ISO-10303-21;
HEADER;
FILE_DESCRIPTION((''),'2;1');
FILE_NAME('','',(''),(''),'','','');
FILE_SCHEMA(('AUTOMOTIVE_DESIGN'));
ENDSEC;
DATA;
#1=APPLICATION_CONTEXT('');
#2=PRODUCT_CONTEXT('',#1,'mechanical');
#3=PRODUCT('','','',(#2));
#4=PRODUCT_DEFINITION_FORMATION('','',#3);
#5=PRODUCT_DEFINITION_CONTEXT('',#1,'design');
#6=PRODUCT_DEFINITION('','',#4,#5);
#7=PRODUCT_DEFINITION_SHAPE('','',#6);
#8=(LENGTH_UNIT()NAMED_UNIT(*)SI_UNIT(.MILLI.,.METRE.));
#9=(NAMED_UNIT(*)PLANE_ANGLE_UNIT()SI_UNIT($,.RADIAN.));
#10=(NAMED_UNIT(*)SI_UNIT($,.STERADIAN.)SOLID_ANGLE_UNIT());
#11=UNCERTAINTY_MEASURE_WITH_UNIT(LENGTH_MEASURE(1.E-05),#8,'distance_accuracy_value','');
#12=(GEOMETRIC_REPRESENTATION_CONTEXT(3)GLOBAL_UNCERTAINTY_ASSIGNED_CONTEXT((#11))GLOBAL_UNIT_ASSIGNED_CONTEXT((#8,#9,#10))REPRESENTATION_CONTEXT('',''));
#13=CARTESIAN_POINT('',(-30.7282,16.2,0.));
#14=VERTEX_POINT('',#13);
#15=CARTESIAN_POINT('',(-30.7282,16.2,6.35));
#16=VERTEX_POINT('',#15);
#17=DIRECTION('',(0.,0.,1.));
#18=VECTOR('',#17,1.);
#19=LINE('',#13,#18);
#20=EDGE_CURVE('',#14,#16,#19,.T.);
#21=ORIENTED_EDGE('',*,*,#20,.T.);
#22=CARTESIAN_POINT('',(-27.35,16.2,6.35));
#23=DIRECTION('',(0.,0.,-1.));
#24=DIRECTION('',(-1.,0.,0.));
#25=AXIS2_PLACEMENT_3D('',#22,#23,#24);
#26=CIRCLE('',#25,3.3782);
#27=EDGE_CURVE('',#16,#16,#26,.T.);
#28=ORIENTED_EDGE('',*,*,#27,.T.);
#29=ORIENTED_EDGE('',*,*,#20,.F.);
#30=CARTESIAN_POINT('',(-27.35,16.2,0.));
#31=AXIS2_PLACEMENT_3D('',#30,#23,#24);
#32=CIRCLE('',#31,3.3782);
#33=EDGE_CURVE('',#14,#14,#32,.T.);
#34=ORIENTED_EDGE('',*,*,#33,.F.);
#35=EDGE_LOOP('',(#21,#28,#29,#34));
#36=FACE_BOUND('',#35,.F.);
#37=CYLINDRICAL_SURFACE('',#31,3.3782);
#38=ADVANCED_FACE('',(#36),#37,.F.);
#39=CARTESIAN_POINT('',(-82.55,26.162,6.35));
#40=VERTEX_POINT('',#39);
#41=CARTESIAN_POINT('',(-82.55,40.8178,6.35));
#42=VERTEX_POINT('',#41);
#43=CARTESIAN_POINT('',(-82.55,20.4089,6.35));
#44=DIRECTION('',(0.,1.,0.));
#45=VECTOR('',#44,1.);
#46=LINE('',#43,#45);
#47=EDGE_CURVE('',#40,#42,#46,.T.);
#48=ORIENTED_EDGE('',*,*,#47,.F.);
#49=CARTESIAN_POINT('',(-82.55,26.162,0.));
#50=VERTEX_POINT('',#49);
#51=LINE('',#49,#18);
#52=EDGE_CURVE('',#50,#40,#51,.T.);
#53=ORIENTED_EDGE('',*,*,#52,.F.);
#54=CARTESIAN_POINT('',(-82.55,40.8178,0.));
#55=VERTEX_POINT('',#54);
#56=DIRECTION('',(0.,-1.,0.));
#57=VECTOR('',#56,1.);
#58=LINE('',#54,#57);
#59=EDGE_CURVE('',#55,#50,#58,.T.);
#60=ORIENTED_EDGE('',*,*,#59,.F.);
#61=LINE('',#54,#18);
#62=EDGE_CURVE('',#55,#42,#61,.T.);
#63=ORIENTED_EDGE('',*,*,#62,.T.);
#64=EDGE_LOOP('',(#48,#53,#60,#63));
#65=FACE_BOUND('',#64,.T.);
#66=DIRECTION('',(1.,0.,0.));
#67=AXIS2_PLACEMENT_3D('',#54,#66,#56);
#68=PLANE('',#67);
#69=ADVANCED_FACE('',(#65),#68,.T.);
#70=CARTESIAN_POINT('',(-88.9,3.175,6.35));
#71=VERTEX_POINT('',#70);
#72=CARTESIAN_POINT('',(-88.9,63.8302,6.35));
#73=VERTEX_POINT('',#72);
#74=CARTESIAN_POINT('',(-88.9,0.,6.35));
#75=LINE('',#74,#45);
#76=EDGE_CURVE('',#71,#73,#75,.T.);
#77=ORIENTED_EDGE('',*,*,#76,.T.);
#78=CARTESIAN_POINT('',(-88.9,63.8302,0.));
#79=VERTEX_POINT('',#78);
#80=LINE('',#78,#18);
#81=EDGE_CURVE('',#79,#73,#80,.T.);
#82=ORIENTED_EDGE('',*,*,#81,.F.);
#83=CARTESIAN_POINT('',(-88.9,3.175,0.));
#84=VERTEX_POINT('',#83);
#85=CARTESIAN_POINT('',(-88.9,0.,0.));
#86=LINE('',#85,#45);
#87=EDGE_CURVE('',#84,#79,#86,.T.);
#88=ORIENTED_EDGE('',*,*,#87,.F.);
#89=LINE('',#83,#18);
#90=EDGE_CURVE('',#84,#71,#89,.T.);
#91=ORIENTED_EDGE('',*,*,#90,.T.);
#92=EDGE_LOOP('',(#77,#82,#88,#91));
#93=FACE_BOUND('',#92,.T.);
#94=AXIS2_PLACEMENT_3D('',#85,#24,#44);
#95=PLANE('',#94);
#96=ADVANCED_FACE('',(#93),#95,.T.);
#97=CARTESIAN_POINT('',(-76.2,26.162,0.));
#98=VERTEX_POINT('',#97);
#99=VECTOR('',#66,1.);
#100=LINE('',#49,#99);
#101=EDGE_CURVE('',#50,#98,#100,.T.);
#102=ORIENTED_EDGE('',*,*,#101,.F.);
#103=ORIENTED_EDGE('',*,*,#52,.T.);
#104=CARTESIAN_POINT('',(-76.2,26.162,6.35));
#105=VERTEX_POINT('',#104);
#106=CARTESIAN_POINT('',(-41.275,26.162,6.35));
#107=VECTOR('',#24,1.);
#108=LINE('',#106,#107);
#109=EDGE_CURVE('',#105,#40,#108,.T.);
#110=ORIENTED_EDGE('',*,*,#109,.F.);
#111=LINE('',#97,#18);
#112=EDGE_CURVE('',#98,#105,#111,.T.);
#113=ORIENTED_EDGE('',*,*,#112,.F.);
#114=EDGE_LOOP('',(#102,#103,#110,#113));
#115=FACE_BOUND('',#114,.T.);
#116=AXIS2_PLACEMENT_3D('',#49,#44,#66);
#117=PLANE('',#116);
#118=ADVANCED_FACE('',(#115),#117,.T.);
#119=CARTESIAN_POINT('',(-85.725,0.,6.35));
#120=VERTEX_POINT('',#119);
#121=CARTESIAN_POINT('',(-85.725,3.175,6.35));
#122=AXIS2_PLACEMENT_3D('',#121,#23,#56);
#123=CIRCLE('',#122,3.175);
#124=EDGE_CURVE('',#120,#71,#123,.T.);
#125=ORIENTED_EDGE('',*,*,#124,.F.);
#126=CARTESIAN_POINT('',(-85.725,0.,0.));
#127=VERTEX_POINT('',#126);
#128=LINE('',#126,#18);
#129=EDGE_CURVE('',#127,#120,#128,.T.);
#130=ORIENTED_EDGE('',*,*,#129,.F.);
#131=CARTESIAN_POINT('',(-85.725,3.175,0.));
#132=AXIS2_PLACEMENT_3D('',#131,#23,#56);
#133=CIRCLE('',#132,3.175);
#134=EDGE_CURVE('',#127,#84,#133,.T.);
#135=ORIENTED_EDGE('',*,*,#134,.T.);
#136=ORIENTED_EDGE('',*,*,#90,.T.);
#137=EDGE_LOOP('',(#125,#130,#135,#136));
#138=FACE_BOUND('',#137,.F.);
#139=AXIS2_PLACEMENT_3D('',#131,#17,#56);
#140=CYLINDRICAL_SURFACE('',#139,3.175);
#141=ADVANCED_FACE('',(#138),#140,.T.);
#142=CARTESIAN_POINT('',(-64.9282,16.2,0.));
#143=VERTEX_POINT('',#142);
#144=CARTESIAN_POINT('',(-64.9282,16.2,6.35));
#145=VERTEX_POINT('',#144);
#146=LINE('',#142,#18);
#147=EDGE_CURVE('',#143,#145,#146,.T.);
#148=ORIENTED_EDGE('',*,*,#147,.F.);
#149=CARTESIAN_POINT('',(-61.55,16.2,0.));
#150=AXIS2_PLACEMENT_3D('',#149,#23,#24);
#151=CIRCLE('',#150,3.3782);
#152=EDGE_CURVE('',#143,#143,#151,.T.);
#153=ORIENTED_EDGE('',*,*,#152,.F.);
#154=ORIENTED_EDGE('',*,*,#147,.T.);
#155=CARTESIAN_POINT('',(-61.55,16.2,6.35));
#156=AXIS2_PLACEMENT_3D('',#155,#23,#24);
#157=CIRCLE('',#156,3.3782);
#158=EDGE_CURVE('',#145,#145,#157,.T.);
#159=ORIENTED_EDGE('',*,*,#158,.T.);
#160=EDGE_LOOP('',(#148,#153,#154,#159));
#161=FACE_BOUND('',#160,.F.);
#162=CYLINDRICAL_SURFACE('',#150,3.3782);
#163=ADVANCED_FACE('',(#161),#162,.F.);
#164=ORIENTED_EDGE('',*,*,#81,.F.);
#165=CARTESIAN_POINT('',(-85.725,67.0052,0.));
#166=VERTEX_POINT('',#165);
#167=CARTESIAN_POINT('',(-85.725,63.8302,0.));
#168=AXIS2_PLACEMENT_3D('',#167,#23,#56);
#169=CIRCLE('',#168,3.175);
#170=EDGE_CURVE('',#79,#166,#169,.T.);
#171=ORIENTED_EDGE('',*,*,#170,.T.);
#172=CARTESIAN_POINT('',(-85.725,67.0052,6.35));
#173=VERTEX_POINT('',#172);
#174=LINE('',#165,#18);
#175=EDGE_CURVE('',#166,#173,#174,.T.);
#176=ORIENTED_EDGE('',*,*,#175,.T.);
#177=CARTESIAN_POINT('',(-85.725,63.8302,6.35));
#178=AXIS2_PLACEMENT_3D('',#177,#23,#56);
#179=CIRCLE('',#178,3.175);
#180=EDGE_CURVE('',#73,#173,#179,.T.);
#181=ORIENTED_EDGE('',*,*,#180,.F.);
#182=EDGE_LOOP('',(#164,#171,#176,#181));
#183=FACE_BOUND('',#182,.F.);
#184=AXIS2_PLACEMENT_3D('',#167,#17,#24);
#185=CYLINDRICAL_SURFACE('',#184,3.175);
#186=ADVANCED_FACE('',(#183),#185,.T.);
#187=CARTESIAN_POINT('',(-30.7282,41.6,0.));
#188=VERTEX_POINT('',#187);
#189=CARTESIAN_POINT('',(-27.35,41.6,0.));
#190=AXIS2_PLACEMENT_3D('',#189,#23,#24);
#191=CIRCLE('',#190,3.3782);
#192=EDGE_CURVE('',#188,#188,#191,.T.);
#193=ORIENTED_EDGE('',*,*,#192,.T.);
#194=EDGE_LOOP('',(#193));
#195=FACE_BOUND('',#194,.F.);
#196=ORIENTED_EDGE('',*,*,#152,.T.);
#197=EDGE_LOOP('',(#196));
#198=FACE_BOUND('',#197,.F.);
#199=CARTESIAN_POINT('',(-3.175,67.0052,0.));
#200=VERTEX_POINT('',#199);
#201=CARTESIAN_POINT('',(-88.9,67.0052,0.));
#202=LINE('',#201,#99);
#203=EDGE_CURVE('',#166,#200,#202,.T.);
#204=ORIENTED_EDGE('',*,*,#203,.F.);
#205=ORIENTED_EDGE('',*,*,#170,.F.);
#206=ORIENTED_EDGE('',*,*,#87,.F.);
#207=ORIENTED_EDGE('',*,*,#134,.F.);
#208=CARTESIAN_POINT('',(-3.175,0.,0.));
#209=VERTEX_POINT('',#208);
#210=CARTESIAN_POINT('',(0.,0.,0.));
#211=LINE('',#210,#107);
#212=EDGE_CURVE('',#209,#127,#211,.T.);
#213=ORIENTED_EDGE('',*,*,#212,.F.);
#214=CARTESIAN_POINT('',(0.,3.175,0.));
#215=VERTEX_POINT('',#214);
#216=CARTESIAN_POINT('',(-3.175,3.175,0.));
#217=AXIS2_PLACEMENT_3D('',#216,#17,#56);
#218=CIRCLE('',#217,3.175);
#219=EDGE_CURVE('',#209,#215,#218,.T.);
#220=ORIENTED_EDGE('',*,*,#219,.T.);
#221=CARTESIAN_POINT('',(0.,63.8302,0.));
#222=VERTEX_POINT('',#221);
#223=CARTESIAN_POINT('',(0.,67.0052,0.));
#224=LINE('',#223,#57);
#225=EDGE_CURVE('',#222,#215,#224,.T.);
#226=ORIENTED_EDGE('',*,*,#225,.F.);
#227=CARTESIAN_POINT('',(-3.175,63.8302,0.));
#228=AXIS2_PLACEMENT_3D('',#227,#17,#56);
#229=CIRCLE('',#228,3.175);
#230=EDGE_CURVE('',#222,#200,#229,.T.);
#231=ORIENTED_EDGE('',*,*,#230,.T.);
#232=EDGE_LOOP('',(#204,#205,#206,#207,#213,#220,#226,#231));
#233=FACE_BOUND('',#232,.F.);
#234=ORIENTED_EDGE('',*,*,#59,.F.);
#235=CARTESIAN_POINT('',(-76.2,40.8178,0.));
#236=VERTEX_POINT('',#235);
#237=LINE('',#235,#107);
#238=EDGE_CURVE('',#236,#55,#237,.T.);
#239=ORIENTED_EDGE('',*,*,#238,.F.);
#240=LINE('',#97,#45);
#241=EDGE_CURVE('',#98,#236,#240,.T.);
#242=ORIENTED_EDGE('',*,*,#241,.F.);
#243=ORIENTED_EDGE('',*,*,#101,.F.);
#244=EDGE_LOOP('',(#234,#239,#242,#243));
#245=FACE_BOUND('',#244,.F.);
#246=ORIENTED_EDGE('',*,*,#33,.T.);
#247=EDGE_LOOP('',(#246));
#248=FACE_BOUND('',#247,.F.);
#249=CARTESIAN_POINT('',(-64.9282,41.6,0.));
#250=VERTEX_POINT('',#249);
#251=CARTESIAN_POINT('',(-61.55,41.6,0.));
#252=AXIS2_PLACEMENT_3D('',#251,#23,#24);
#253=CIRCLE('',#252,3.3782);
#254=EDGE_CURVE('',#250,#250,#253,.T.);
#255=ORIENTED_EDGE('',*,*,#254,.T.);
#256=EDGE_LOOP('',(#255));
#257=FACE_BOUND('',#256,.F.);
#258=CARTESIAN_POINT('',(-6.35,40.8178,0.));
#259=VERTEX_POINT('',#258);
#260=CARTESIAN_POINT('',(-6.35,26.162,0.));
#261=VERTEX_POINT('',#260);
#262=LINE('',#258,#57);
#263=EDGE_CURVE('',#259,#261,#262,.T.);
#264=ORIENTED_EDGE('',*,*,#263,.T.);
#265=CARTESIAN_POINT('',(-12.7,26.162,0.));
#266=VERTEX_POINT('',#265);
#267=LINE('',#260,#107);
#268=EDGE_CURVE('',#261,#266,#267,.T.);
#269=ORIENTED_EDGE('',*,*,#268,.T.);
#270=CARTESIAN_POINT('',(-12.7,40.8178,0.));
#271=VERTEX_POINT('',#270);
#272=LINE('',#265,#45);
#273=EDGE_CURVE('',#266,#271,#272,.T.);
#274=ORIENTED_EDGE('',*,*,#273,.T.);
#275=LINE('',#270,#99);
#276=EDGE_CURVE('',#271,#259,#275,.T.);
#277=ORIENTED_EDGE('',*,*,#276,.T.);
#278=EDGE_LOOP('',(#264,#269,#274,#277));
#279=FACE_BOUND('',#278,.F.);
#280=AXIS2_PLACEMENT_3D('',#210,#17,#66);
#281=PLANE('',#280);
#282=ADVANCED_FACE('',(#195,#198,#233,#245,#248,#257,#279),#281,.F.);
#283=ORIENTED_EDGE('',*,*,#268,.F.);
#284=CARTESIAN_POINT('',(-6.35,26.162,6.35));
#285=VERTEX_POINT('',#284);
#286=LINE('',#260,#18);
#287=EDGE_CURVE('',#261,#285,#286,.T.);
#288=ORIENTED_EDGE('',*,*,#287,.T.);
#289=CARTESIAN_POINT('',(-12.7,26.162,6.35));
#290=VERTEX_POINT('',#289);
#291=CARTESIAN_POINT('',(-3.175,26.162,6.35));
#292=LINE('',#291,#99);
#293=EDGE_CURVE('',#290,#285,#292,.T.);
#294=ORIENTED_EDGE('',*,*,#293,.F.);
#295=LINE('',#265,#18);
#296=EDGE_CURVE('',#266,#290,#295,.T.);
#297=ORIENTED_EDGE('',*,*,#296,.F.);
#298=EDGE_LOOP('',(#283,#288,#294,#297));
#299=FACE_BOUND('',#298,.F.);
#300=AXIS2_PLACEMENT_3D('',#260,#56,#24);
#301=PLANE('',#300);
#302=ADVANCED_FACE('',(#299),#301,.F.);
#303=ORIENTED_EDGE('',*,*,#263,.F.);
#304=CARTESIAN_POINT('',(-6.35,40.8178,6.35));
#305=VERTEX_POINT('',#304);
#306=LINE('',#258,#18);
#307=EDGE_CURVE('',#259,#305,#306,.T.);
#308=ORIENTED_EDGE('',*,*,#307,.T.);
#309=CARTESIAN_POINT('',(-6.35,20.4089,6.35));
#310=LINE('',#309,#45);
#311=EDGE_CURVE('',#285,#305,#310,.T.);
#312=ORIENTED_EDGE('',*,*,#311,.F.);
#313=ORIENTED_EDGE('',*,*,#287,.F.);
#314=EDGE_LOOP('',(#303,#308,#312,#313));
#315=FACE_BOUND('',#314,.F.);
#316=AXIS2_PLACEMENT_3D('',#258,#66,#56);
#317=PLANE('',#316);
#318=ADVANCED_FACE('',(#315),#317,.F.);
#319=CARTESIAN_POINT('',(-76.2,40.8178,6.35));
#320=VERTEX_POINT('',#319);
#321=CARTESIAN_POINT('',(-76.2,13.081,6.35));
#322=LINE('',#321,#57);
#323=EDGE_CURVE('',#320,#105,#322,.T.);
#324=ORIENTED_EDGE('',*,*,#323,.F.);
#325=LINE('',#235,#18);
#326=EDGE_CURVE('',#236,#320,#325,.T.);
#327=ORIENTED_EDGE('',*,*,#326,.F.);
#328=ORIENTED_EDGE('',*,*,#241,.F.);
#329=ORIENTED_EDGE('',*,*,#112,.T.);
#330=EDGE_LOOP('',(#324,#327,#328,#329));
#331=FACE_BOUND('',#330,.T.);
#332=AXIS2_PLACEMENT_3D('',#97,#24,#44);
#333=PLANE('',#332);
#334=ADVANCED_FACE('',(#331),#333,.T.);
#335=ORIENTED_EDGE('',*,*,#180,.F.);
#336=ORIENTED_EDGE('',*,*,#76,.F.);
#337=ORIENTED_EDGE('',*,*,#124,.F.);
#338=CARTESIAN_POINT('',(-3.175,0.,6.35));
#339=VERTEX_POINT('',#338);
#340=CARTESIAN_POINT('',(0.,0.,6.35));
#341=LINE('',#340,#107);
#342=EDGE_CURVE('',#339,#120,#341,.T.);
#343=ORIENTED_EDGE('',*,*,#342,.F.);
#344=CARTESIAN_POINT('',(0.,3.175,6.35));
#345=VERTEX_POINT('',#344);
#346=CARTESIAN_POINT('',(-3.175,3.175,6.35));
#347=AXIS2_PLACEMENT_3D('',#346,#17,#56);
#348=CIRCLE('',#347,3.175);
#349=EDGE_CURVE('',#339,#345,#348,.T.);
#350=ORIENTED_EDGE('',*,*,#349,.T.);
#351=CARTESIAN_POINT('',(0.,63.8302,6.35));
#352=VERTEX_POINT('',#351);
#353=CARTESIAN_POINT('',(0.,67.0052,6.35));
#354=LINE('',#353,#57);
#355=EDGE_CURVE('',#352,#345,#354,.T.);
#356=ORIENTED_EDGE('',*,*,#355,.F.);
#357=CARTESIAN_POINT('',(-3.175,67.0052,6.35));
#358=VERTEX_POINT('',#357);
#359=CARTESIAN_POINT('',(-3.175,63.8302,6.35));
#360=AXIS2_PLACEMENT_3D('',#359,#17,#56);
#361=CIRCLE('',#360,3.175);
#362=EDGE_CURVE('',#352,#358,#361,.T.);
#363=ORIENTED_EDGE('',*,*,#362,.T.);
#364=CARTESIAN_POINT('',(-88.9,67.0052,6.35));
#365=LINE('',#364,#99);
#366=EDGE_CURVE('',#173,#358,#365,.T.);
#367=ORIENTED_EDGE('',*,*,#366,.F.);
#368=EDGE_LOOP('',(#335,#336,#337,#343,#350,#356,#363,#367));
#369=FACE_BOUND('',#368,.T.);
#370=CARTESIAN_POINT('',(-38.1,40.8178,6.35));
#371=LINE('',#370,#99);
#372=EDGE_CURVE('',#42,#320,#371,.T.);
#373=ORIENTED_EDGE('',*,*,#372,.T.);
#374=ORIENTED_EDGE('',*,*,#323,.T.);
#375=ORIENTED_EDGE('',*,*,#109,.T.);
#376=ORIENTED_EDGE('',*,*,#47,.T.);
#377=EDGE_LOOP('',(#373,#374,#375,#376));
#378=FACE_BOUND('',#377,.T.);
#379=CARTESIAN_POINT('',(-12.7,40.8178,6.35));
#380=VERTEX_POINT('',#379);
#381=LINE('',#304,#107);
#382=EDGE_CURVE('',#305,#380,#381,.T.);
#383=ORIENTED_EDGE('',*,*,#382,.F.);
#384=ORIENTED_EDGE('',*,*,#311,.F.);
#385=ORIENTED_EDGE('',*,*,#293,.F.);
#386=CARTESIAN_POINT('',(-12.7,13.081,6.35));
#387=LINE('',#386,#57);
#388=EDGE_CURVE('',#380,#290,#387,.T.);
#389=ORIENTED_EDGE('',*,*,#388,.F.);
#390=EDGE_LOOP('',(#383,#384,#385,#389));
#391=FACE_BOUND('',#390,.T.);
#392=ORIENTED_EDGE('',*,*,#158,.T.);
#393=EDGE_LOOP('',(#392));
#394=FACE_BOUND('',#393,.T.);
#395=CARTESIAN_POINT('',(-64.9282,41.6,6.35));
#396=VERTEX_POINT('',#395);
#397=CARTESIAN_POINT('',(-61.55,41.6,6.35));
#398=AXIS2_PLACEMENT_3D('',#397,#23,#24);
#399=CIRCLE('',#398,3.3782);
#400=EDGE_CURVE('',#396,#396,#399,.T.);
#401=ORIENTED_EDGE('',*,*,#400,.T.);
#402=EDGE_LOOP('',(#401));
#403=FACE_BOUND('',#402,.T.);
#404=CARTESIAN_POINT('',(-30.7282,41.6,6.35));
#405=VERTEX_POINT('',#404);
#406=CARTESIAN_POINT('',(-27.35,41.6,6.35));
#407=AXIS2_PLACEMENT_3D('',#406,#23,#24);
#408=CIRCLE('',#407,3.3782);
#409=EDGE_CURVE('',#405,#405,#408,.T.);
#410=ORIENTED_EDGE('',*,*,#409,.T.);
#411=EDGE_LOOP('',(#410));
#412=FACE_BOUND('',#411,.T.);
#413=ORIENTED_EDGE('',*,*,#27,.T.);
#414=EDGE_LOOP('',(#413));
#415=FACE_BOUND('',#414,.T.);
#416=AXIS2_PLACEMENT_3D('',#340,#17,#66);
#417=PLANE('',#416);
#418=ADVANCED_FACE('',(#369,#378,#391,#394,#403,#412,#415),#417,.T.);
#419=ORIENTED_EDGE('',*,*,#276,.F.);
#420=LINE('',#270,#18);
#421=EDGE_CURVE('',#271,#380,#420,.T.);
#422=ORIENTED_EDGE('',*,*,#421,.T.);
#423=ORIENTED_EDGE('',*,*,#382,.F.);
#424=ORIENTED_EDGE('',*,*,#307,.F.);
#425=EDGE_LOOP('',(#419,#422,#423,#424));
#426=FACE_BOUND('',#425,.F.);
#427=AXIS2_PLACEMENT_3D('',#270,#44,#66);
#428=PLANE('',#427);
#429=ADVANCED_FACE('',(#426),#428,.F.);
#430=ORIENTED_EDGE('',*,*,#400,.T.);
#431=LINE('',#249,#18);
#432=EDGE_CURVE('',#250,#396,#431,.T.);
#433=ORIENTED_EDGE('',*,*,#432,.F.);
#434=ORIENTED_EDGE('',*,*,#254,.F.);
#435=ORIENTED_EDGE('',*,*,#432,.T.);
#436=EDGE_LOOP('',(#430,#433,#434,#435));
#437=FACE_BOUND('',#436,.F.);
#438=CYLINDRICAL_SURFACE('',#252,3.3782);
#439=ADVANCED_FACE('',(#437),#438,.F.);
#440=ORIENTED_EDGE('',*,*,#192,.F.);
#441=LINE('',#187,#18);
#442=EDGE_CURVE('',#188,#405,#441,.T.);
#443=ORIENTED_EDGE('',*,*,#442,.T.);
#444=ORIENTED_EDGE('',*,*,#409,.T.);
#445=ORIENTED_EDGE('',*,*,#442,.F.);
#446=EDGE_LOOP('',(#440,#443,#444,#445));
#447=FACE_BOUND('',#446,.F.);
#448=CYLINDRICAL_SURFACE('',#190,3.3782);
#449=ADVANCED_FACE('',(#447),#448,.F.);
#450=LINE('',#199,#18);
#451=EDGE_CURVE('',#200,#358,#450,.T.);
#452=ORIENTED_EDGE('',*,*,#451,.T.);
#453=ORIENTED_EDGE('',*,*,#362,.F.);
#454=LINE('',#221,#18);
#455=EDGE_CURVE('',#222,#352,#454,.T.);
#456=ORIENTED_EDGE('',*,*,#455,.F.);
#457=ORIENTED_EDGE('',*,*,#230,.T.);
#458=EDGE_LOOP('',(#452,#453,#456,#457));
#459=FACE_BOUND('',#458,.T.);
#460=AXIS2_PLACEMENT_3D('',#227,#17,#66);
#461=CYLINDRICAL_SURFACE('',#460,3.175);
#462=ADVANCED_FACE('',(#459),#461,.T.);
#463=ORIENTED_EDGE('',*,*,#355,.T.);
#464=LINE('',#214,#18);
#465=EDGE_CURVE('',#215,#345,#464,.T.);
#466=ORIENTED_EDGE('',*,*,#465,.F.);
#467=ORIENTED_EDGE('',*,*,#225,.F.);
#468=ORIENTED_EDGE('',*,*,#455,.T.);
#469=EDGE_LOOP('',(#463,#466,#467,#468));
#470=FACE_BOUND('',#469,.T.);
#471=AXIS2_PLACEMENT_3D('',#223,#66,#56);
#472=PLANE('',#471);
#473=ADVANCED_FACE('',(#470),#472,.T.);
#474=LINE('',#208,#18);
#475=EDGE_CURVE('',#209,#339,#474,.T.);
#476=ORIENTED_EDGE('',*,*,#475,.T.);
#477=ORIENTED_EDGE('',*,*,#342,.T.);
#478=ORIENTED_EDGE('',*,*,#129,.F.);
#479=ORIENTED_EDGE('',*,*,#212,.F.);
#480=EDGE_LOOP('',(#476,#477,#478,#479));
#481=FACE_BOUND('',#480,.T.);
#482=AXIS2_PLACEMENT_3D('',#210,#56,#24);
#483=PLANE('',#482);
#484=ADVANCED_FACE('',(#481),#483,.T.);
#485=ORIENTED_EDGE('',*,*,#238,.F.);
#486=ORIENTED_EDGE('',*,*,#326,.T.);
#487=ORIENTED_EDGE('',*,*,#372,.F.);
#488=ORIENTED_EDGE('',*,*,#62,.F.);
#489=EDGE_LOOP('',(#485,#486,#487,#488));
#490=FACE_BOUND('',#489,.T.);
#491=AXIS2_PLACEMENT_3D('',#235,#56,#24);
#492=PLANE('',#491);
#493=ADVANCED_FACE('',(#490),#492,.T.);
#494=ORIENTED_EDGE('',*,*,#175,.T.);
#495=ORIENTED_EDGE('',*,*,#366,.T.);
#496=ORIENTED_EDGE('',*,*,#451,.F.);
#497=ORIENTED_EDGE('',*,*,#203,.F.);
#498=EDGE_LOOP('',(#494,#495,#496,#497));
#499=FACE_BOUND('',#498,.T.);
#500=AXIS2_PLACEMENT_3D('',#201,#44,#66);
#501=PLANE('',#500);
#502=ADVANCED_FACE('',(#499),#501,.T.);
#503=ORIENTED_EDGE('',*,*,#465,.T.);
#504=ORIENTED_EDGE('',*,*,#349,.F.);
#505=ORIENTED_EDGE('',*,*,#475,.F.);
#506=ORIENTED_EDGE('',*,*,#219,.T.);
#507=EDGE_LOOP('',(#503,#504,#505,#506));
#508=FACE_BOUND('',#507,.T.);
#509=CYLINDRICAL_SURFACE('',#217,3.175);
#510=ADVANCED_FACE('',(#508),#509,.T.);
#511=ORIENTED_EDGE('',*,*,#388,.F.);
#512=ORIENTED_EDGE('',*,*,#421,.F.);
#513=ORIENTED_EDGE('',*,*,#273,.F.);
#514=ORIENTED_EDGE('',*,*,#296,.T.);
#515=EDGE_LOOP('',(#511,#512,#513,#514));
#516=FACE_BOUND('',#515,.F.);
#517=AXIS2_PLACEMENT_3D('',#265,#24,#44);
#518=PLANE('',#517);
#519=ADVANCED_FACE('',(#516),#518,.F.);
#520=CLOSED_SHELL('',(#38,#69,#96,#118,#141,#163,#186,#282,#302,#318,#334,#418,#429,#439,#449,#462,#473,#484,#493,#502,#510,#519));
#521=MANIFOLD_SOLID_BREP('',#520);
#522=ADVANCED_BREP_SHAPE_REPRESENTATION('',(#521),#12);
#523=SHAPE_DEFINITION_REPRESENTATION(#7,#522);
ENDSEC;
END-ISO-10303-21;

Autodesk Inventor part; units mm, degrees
ref_plane "YZ Plane" through (0, 0, 0) normal (1, 0, 0) x (0, 1, 0)
ref_plane "XZ Plane" through (0, 0, 0) normal (0, 1, 0) x (-1, 0, 0)
ref_plane "XY Plane" through (0, 0, 0) normal (0, 0, 1) x (1, 0, 0)
sketch "Sketch1" plane through (0, 0, 0) normal (0, 0, 1) x (1, 0, 0)
  line L0 (0, 0) -> (-88.9, 0)
  line L1 (-88.9, 0) -> (-88.9, 67.0052)
  line L2 (-88.9, 67.0052) -> (0, 67.0052)
  line L3 (0, 67.0052) -> (0, 0)
  dimension "d0" = 88.9
  dimension "d1" = 67.0052
  dimension "d2" = 90
extrude "Extrusion1" add sketch "Sketch1" along normal blind 6.35
sketch "Sketch2" plane through (-88.9, 67.0052, 0) normal (0, 1, 0) x (1, 0, 0)
  line L0 (0, 0) -> (88.9, 0) projected
  line L1 (0, 0) -> (0, -6.35) projected
  line L2 (88.9, -6.35) -> (0, -6.35) projected
  line L3 (88.9, 0) -> (88.9, -6.35) projected
sketch "Sketch3" plane through (0, 0, 0) normal (0, 0, -1) x (-1, 0, 0)
  line L0 (88.9, 0) -> (88.9, 67.0052) projected
  line L1 (0, 67.0052) -> (0, 0) projected
  line L2 (0, 67.0052) -> (0, 40.8178)
  line L3 (0, 40.8178) -> (6.35, 40.8178)
  line L4 (6.35, 40.8178) -> (6.35, 26.162)
  line L5 (6.35, 26.162) -> (12.7, 26.162)
  line L6 (12.7, 26.162) -> (12.7, 40.8178)
  line L7 (12.7, 40.8178) -> (6.35, 40.8178)
  line L8 (88.9, 40.8178) -> (82.55, 40.8178)
  line L9 (82.55, 40.8178) -> (82.55, 26.162)
  line L10 (82.55, 26.162) -> (76.2, 26.162)
  line L11 (76.2, 26.162) -> (76.2, 40.8178)
  line L12 (76.2, 40.8178) -> (82.55, 40.8178)
  dimension "d5" = 26.1874
  dimension "d6" = 6.35
  dimension "d7" = 14.6558
  dimension "d8" = 6.35
  dimension "d9" = 6.35
  dimension "d10" = 6.35
  dimension "d11" = 14.6558
extrude "Extrusion2" cut sketch "Sketch3" against normal blind 25.4
fillet "Fillet1" radius 3.175 4 edges at (0, 67.0052, 3.175) (0, 0, 3.175) (-88.9, 0, 3.175) (-88.9, 67.0052, 3.175)
sketch "Sketch4" plane through (0, 0, 0) normal (0, 0, -1) x (-1, 0, 0)
  circle A0 centre (61.55, 41.6) radius 3.3782 projected
  circle A1 centre (61.55, 16.2) radius 3.3782 projected
  circle A2 centre (27.35, 41.6) radius 3.3782 projected
  circle A3 centre (27.35, 16.2) radius 3.3782 projected
  point P0 (0, 0)
extrude "Extrusion3" cut sketch "Sketch4" against normal blind 25.4
properties part number "hook faceplate" material "Steel"
